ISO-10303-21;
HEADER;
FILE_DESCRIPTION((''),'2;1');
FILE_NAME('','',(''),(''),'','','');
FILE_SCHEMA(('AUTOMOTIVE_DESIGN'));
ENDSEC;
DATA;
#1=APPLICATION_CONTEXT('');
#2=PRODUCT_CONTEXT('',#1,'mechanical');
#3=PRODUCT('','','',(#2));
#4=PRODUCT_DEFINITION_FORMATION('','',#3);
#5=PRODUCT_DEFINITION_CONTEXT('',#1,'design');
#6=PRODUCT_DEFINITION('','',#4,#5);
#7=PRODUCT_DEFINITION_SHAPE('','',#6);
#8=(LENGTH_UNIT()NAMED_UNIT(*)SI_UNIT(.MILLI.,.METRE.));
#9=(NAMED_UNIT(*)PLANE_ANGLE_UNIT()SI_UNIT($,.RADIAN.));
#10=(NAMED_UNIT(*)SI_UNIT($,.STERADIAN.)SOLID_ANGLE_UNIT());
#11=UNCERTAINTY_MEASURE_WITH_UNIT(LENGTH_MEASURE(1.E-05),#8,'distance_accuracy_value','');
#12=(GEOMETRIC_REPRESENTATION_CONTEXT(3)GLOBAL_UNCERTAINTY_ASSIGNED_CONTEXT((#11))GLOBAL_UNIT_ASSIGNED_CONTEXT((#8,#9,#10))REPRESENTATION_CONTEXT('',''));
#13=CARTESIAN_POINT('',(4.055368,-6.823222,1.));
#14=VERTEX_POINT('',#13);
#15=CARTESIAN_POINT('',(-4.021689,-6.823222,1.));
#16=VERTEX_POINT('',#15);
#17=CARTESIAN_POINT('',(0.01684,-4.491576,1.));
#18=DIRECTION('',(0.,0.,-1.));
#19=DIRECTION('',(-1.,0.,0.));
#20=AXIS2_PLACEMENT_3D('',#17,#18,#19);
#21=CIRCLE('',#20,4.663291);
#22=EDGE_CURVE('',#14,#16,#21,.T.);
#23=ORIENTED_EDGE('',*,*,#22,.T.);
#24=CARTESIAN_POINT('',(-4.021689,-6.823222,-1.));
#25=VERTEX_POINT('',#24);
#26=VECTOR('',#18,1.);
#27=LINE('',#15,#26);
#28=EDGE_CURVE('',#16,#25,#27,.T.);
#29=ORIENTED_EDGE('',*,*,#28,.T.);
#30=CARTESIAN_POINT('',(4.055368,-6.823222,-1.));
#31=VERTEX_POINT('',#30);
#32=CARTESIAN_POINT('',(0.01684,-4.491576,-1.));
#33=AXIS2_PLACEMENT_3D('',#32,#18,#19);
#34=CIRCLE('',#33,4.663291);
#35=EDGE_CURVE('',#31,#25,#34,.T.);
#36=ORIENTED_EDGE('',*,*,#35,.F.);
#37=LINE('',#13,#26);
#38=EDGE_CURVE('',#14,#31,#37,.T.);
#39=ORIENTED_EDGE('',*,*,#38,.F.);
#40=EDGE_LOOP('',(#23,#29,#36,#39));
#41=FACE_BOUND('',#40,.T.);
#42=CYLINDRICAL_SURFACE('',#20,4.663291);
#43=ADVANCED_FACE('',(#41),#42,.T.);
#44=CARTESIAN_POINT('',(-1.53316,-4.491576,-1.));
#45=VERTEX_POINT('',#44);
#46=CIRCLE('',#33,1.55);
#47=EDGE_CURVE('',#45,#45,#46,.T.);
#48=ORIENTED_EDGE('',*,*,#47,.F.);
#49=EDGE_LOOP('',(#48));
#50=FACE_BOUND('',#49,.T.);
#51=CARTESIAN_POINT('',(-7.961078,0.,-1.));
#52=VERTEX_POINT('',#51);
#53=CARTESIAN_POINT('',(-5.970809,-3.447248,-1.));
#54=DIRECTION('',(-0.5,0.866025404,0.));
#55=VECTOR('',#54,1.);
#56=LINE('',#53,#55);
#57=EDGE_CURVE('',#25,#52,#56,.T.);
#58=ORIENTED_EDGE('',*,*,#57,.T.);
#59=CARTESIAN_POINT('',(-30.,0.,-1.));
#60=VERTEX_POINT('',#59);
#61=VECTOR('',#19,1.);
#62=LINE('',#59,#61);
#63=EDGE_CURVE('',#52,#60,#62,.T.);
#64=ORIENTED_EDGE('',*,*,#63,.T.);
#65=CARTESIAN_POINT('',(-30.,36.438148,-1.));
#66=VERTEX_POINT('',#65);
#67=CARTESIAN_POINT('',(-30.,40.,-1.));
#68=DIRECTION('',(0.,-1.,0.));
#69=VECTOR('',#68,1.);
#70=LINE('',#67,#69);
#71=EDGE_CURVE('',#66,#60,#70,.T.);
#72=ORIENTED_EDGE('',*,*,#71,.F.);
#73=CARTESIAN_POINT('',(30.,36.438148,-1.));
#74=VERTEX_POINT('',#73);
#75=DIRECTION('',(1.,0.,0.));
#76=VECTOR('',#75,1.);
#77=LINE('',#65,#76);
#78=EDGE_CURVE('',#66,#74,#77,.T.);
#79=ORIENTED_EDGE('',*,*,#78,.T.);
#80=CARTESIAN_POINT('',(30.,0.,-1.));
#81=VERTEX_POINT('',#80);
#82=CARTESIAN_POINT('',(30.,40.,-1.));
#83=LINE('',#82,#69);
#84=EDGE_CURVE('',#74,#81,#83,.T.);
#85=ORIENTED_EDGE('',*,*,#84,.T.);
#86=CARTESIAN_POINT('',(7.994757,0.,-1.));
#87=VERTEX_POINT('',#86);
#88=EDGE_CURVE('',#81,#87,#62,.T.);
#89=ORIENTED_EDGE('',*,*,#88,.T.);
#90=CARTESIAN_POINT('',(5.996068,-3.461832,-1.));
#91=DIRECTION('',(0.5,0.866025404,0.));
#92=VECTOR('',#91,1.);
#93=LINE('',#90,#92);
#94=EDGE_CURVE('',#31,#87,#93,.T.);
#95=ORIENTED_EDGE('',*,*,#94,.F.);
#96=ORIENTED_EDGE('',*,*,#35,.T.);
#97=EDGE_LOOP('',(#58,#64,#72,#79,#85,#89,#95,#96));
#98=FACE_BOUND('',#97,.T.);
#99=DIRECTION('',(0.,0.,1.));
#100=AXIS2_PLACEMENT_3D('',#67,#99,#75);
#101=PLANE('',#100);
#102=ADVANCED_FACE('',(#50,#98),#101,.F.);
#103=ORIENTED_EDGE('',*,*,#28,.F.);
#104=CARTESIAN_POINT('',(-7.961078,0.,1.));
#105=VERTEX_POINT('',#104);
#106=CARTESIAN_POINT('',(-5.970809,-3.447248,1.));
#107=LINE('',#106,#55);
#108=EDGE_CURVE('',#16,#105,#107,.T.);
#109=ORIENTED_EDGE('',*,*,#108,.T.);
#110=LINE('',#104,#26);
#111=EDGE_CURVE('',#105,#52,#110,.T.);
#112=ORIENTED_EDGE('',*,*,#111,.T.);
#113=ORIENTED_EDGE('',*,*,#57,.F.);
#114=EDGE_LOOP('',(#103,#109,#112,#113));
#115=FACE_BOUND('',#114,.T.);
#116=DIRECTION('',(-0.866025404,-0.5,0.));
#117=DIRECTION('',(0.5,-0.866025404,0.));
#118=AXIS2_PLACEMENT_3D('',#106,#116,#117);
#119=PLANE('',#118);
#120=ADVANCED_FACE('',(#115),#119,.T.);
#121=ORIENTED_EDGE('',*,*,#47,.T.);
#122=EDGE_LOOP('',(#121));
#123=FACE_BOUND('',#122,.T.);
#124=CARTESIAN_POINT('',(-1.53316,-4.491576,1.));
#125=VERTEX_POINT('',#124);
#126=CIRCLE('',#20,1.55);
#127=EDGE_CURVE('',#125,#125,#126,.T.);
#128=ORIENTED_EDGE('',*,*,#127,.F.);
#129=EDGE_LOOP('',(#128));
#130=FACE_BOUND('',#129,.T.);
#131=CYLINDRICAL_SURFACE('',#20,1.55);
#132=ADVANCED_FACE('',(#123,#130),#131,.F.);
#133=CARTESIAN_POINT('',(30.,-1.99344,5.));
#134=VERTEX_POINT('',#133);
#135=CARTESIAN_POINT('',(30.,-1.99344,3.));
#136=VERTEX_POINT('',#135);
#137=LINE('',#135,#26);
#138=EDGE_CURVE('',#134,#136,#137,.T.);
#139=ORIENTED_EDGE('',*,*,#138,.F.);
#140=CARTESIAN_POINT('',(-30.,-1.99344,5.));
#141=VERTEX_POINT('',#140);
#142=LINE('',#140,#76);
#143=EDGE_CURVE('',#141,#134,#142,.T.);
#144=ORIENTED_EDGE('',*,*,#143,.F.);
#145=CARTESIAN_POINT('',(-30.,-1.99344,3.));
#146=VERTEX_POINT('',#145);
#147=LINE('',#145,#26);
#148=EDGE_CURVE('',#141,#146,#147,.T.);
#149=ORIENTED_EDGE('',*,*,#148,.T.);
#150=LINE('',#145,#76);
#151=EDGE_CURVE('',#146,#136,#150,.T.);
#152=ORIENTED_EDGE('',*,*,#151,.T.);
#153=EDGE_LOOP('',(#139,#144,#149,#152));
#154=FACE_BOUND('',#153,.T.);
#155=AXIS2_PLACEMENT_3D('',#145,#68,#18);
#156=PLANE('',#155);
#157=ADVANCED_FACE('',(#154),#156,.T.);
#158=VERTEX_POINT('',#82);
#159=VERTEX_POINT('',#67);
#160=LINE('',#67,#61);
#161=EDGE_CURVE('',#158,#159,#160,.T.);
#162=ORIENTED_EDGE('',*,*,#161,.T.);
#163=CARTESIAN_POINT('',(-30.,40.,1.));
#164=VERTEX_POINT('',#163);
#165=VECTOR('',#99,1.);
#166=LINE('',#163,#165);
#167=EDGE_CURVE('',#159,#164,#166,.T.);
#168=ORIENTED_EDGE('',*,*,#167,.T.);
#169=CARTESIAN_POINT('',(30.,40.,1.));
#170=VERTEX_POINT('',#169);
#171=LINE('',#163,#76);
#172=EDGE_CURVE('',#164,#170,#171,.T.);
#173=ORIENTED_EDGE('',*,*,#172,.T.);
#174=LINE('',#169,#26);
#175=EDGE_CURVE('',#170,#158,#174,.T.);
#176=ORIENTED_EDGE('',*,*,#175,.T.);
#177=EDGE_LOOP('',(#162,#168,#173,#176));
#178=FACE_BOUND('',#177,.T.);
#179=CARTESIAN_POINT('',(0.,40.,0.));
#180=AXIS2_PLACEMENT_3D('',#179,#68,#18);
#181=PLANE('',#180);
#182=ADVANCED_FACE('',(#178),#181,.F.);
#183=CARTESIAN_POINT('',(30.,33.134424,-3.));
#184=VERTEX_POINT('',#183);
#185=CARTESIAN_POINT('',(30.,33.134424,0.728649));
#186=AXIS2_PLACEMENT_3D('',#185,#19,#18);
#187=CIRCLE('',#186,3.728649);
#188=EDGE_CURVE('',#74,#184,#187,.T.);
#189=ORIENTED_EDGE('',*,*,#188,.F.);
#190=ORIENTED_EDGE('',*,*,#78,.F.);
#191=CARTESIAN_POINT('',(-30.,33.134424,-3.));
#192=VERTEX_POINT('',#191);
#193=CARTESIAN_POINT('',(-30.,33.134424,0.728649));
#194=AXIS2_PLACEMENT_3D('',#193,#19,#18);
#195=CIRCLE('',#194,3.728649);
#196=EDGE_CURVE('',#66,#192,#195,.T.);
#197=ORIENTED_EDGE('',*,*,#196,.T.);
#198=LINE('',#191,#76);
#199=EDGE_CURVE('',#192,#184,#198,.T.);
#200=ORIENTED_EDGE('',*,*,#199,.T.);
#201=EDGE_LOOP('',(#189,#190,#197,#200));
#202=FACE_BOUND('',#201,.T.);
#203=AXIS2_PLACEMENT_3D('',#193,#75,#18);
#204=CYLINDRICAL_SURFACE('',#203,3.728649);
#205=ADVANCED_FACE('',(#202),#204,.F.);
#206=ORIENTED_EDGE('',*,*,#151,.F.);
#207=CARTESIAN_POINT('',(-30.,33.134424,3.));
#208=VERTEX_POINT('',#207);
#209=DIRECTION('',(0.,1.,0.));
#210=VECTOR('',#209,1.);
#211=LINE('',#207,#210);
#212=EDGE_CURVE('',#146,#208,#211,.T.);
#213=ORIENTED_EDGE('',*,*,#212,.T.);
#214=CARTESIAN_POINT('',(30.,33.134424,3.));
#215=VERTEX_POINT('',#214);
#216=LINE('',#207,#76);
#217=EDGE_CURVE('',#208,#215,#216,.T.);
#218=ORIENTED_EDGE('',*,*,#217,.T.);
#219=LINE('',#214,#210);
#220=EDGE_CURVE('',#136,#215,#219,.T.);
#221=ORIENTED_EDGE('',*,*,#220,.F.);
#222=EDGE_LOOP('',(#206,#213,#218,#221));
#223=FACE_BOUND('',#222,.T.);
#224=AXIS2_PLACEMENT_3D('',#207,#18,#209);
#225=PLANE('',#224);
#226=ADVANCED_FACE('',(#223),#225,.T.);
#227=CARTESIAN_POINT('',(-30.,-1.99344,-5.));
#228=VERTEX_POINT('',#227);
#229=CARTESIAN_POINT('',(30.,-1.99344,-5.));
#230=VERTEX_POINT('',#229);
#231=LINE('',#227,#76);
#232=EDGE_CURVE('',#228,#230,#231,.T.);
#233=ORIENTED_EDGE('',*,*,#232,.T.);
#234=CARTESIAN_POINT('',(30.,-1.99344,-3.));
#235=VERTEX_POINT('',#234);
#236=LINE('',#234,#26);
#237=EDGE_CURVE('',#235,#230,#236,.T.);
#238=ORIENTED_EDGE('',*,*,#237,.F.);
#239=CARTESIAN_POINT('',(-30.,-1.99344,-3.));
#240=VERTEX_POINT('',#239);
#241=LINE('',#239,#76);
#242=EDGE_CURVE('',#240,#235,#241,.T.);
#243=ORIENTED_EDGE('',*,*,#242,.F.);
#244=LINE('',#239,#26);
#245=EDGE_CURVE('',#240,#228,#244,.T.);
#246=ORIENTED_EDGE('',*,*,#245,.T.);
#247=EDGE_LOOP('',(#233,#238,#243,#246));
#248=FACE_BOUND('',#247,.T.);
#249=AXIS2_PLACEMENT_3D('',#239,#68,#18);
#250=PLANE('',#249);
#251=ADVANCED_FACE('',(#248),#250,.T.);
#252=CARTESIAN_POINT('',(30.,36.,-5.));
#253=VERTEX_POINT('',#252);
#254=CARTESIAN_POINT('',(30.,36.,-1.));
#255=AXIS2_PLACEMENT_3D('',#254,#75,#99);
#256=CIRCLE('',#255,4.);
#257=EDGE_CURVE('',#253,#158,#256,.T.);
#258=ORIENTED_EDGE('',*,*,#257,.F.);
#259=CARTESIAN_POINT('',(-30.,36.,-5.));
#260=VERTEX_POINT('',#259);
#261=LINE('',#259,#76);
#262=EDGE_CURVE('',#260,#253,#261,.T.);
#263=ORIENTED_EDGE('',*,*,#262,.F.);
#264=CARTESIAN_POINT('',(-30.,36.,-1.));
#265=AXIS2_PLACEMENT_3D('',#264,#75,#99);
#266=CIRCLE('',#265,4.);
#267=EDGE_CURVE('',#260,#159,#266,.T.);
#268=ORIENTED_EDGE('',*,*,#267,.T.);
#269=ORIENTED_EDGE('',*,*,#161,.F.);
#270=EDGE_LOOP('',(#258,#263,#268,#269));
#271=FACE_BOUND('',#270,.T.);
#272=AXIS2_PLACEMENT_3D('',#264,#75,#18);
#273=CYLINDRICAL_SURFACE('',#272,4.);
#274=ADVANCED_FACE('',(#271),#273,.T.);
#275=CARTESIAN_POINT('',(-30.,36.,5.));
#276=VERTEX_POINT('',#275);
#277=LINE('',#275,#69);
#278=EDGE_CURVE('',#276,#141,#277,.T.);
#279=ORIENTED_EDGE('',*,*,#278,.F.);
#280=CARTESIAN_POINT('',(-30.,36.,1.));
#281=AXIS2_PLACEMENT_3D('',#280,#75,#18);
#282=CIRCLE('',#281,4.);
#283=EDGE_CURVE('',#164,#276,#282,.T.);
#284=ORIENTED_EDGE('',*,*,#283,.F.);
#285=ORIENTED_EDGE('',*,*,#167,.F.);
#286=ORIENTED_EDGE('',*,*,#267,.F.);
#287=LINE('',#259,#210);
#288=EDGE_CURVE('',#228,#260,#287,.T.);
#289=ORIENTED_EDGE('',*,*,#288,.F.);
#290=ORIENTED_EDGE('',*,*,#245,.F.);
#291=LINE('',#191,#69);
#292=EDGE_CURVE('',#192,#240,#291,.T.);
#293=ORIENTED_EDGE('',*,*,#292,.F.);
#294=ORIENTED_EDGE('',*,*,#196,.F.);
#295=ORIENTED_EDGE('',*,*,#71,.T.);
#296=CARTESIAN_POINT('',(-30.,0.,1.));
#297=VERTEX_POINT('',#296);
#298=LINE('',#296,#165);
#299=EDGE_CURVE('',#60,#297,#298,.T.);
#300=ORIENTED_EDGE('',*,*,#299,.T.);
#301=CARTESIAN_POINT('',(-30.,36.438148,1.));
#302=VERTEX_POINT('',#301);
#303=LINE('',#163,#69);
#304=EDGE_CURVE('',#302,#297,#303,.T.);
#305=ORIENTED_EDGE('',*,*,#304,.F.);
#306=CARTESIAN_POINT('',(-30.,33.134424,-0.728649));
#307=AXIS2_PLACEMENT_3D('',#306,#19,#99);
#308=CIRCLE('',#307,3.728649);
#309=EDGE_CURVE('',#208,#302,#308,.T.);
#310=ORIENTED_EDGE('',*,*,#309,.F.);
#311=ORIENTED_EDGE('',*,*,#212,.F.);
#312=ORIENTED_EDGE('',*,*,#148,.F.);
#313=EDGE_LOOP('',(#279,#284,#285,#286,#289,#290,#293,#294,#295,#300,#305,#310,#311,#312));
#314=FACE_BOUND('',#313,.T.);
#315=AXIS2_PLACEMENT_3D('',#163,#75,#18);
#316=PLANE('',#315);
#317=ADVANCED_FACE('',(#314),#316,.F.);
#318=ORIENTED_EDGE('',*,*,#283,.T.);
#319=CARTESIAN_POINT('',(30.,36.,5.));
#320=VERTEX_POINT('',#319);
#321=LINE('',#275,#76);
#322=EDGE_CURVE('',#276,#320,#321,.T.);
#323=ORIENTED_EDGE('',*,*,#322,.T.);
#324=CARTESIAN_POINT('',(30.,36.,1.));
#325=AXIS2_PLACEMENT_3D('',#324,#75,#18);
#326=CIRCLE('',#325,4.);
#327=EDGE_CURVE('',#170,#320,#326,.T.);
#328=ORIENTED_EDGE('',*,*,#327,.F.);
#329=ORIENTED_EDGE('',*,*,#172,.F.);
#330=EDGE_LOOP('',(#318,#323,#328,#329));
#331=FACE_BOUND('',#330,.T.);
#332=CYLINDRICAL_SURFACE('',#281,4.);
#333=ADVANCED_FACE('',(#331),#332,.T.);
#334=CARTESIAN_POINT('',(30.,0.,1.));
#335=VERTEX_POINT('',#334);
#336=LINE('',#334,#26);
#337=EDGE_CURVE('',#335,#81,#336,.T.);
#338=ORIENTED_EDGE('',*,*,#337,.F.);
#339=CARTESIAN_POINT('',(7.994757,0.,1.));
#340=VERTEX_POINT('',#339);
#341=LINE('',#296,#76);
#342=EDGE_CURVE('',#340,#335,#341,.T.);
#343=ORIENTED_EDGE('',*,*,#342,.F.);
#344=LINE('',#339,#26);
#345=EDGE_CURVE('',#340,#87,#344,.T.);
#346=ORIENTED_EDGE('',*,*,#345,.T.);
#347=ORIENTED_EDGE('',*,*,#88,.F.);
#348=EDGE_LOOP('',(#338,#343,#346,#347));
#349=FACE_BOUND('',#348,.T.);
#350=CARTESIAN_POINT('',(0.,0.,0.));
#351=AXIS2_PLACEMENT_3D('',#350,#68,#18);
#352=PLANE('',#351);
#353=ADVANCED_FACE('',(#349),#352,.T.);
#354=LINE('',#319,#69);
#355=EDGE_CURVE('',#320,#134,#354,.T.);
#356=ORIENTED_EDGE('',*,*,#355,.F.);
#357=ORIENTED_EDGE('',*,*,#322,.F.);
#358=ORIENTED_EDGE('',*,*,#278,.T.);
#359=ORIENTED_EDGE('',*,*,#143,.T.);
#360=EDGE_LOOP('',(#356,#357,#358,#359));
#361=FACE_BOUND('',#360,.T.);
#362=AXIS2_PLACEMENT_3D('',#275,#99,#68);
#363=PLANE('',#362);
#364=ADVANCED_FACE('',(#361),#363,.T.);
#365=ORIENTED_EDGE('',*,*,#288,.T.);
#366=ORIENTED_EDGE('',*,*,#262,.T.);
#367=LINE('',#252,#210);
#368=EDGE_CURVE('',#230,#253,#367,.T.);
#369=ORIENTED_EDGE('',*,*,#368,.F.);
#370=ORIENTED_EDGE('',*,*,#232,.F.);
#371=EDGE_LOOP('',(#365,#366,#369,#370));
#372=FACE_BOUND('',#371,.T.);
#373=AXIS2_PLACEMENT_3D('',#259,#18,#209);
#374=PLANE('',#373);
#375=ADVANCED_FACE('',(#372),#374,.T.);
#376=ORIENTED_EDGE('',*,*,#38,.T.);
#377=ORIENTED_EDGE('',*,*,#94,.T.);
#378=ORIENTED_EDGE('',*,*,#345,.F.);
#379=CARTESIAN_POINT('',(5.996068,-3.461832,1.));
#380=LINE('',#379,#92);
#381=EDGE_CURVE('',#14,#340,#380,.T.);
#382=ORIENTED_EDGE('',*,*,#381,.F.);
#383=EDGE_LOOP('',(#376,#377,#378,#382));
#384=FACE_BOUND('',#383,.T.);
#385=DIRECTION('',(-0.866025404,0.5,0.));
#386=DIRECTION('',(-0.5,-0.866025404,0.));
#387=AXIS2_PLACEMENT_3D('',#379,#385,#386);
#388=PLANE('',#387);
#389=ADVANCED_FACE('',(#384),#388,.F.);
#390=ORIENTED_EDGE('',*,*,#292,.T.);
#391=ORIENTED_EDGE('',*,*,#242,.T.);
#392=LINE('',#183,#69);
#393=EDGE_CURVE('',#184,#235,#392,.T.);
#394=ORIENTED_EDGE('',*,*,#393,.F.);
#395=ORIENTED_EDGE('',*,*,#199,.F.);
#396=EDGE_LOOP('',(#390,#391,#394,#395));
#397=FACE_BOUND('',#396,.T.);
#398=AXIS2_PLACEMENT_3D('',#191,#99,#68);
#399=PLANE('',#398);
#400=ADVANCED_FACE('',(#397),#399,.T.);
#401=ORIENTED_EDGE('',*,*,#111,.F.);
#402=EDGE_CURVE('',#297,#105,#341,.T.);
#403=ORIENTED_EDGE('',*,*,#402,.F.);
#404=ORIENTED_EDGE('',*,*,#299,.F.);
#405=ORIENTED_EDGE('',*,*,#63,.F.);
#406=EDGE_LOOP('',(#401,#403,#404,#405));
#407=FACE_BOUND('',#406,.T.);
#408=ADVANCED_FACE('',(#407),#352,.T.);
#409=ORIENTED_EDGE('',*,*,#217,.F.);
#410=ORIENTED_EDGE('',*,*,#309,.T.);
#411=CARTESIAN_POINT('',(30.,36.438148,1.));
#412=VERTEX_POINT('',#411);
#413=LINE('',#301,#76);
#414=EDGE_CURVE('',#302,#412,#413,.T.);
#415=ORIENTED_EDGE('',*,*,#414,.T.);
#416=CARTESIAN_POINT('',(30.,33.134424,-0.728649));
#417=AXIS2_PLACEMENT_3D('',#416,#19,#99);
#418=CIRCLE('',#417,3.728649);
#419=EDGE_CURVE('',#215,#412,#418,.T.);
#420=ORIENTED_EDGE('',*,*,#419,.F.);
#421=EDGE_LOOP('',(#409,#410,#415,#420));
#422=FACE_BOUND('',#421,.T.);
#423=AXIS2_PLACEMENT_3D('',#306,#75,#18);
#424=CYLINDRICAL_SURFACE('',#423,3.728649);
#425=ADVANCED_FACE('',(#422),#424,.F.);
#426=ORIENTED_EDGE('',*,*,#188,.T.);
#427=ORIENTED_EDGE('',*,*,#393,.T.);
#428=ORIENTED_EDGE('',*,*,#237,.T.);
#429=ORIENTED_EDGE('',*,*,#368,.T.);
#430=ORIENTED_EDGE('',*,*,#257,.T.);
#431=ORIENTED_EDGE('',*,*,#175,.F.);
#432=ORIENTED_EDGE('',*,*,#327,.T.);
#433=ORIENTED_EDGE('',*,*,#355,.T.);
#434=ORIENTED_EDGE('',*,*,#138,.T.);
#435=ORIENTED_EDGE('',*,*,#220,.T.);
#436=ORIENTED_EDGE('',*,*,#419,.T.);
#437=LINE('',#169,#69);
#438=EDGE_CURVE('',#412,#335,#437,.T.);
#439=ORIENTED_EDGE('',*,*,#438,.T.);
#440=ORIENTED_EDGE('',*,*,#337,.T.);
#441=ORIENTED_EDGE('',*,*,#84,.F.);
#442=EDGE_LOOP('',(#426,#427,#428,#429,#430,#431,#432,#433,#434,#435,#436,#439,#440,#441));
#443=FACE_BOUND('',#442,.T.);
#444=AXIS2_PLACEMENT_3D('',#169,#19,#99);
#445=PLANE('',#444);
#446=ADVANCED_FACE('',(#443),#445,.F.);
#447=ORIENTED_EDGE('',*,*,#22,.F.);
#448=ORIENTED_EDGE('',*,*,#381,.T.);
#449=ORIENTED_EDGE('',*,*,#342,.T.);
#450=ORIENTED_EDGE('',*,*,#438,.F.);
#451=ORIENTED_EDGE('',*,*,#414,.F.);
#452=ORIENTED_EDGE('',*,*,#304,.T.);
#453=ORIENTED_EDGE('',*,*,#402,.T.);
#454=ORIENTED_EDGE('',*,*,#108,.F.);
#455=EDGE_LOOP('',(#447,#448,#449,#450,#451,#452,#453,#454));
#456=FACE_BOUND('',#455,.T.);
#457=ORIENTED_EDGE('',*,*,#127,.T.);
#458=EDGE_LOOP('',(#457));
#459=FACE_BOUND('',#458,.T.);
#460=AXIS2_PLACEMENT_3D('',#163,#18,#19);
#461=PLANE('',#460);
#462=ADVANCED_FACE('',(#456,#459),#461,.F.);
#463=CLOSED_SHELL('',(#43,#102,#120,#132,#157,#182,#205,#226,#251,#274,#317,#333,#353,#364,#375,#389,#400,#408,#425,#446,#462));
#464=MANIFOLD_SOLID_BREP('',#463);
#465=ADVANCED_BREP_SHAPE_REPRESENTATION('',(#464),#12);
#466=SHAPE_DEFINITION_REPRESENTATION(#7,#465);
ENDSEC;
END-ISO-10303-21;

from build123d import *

# Parameters (mm, degrees)
SKETCH_1_W      = 60
SKETCH_1_H      = 2
EXTRUDE_1_DEPTH = 40
SKETCH_3_R      = 1.55
EXTRUDE_2_DEPTH = 2
EXTRUDE_3_DEPTH = 60


with BuildPart() as part:
    # 草图1 → 凸台-拉伸1 (new body)
    with BuildSketch(Plane(origin=(0, 0, 0), x_dir=(1, 0, 0), z_dir=(0, 1, 0))):
        Rectangle(SKETCH_1_W, SKETCH_1_H)
    extrude(amount=EXTRUDE_1_DEPTH)



with BuildPart() as body_2:
    # 草图3 → 凸台-拉伸2 (new, through all)
    with BuildSketch(Plane(origin=(0, 0, -1), x_dir=(-1, 0, 0), z_dir=(0, 0, -1))):
        with BuildLine():
            Line((-7.994757435, 0), (-4.05536846, -6.823221856))
            ThreePointArc((-4.05536846, -6.823221856), (-0.01683957, -9.154867598), (4.02168932, -6.823221856))
            Line((4.02168932, -6.823221856), (7.961078295, 0))
            Line((7.961078295, 0), (-7.994757435, 0))
        make_face()
        with Locations((-0.01683957, -4.491576114)):
            Circle(SKETCH_3_R, mode=Mode.SUBTRACT)
    extrude(amount=-EXTRUDE_2_DEPTH)


with BuildPart() as part_1:
    add(part.part)

    add(body_2.part)  # 凸台-拉伸3 merges body 2
    # 草图4 → 凸台-拉伸3 (add, through all)
    with BuildSketch(Plane(origin=(30, 0, 0), x_dir=(0, 0, -1), z_dir=(1, 0, 0))):
        with BuildLine():
            Line((5, 36), (5, -1.993440082))
            Line((5, -1.993440082), (3, -1.993440082))
            Line((3, -1.993440082), (3, 33.134423916))
            ThreePointArc((3, 33.134423916), (2.461049161, 35.065394885), (1, 36.43814841))
            Line((1, 36.43814841), (1, 40))
            ThreePointArc((1, 40), (3.828427125, 38.828427125), (5, 36))
        make_face()
        with BuildLine():
            Line((-5, 36), (-5, -1.993440082))
            Line((-5, -1.993440082), (-3, -1.993440082))
            Line((-3, -1.993440082), (-3, 33.134423916))
            ThreePointArc((-3, 33.134423916), (-2.461049161, 35.065394885), (-1, 36.43814841))
            Line((-1, 36.43814841), (-1, 40))
            ThreePointArc((-1, 40), (-3.828427125, 38.828427125), (-5, 36))
        make_face()
    extrude(amount=-EXTRUDE_3_DEPTH)


solid = part_1.part
